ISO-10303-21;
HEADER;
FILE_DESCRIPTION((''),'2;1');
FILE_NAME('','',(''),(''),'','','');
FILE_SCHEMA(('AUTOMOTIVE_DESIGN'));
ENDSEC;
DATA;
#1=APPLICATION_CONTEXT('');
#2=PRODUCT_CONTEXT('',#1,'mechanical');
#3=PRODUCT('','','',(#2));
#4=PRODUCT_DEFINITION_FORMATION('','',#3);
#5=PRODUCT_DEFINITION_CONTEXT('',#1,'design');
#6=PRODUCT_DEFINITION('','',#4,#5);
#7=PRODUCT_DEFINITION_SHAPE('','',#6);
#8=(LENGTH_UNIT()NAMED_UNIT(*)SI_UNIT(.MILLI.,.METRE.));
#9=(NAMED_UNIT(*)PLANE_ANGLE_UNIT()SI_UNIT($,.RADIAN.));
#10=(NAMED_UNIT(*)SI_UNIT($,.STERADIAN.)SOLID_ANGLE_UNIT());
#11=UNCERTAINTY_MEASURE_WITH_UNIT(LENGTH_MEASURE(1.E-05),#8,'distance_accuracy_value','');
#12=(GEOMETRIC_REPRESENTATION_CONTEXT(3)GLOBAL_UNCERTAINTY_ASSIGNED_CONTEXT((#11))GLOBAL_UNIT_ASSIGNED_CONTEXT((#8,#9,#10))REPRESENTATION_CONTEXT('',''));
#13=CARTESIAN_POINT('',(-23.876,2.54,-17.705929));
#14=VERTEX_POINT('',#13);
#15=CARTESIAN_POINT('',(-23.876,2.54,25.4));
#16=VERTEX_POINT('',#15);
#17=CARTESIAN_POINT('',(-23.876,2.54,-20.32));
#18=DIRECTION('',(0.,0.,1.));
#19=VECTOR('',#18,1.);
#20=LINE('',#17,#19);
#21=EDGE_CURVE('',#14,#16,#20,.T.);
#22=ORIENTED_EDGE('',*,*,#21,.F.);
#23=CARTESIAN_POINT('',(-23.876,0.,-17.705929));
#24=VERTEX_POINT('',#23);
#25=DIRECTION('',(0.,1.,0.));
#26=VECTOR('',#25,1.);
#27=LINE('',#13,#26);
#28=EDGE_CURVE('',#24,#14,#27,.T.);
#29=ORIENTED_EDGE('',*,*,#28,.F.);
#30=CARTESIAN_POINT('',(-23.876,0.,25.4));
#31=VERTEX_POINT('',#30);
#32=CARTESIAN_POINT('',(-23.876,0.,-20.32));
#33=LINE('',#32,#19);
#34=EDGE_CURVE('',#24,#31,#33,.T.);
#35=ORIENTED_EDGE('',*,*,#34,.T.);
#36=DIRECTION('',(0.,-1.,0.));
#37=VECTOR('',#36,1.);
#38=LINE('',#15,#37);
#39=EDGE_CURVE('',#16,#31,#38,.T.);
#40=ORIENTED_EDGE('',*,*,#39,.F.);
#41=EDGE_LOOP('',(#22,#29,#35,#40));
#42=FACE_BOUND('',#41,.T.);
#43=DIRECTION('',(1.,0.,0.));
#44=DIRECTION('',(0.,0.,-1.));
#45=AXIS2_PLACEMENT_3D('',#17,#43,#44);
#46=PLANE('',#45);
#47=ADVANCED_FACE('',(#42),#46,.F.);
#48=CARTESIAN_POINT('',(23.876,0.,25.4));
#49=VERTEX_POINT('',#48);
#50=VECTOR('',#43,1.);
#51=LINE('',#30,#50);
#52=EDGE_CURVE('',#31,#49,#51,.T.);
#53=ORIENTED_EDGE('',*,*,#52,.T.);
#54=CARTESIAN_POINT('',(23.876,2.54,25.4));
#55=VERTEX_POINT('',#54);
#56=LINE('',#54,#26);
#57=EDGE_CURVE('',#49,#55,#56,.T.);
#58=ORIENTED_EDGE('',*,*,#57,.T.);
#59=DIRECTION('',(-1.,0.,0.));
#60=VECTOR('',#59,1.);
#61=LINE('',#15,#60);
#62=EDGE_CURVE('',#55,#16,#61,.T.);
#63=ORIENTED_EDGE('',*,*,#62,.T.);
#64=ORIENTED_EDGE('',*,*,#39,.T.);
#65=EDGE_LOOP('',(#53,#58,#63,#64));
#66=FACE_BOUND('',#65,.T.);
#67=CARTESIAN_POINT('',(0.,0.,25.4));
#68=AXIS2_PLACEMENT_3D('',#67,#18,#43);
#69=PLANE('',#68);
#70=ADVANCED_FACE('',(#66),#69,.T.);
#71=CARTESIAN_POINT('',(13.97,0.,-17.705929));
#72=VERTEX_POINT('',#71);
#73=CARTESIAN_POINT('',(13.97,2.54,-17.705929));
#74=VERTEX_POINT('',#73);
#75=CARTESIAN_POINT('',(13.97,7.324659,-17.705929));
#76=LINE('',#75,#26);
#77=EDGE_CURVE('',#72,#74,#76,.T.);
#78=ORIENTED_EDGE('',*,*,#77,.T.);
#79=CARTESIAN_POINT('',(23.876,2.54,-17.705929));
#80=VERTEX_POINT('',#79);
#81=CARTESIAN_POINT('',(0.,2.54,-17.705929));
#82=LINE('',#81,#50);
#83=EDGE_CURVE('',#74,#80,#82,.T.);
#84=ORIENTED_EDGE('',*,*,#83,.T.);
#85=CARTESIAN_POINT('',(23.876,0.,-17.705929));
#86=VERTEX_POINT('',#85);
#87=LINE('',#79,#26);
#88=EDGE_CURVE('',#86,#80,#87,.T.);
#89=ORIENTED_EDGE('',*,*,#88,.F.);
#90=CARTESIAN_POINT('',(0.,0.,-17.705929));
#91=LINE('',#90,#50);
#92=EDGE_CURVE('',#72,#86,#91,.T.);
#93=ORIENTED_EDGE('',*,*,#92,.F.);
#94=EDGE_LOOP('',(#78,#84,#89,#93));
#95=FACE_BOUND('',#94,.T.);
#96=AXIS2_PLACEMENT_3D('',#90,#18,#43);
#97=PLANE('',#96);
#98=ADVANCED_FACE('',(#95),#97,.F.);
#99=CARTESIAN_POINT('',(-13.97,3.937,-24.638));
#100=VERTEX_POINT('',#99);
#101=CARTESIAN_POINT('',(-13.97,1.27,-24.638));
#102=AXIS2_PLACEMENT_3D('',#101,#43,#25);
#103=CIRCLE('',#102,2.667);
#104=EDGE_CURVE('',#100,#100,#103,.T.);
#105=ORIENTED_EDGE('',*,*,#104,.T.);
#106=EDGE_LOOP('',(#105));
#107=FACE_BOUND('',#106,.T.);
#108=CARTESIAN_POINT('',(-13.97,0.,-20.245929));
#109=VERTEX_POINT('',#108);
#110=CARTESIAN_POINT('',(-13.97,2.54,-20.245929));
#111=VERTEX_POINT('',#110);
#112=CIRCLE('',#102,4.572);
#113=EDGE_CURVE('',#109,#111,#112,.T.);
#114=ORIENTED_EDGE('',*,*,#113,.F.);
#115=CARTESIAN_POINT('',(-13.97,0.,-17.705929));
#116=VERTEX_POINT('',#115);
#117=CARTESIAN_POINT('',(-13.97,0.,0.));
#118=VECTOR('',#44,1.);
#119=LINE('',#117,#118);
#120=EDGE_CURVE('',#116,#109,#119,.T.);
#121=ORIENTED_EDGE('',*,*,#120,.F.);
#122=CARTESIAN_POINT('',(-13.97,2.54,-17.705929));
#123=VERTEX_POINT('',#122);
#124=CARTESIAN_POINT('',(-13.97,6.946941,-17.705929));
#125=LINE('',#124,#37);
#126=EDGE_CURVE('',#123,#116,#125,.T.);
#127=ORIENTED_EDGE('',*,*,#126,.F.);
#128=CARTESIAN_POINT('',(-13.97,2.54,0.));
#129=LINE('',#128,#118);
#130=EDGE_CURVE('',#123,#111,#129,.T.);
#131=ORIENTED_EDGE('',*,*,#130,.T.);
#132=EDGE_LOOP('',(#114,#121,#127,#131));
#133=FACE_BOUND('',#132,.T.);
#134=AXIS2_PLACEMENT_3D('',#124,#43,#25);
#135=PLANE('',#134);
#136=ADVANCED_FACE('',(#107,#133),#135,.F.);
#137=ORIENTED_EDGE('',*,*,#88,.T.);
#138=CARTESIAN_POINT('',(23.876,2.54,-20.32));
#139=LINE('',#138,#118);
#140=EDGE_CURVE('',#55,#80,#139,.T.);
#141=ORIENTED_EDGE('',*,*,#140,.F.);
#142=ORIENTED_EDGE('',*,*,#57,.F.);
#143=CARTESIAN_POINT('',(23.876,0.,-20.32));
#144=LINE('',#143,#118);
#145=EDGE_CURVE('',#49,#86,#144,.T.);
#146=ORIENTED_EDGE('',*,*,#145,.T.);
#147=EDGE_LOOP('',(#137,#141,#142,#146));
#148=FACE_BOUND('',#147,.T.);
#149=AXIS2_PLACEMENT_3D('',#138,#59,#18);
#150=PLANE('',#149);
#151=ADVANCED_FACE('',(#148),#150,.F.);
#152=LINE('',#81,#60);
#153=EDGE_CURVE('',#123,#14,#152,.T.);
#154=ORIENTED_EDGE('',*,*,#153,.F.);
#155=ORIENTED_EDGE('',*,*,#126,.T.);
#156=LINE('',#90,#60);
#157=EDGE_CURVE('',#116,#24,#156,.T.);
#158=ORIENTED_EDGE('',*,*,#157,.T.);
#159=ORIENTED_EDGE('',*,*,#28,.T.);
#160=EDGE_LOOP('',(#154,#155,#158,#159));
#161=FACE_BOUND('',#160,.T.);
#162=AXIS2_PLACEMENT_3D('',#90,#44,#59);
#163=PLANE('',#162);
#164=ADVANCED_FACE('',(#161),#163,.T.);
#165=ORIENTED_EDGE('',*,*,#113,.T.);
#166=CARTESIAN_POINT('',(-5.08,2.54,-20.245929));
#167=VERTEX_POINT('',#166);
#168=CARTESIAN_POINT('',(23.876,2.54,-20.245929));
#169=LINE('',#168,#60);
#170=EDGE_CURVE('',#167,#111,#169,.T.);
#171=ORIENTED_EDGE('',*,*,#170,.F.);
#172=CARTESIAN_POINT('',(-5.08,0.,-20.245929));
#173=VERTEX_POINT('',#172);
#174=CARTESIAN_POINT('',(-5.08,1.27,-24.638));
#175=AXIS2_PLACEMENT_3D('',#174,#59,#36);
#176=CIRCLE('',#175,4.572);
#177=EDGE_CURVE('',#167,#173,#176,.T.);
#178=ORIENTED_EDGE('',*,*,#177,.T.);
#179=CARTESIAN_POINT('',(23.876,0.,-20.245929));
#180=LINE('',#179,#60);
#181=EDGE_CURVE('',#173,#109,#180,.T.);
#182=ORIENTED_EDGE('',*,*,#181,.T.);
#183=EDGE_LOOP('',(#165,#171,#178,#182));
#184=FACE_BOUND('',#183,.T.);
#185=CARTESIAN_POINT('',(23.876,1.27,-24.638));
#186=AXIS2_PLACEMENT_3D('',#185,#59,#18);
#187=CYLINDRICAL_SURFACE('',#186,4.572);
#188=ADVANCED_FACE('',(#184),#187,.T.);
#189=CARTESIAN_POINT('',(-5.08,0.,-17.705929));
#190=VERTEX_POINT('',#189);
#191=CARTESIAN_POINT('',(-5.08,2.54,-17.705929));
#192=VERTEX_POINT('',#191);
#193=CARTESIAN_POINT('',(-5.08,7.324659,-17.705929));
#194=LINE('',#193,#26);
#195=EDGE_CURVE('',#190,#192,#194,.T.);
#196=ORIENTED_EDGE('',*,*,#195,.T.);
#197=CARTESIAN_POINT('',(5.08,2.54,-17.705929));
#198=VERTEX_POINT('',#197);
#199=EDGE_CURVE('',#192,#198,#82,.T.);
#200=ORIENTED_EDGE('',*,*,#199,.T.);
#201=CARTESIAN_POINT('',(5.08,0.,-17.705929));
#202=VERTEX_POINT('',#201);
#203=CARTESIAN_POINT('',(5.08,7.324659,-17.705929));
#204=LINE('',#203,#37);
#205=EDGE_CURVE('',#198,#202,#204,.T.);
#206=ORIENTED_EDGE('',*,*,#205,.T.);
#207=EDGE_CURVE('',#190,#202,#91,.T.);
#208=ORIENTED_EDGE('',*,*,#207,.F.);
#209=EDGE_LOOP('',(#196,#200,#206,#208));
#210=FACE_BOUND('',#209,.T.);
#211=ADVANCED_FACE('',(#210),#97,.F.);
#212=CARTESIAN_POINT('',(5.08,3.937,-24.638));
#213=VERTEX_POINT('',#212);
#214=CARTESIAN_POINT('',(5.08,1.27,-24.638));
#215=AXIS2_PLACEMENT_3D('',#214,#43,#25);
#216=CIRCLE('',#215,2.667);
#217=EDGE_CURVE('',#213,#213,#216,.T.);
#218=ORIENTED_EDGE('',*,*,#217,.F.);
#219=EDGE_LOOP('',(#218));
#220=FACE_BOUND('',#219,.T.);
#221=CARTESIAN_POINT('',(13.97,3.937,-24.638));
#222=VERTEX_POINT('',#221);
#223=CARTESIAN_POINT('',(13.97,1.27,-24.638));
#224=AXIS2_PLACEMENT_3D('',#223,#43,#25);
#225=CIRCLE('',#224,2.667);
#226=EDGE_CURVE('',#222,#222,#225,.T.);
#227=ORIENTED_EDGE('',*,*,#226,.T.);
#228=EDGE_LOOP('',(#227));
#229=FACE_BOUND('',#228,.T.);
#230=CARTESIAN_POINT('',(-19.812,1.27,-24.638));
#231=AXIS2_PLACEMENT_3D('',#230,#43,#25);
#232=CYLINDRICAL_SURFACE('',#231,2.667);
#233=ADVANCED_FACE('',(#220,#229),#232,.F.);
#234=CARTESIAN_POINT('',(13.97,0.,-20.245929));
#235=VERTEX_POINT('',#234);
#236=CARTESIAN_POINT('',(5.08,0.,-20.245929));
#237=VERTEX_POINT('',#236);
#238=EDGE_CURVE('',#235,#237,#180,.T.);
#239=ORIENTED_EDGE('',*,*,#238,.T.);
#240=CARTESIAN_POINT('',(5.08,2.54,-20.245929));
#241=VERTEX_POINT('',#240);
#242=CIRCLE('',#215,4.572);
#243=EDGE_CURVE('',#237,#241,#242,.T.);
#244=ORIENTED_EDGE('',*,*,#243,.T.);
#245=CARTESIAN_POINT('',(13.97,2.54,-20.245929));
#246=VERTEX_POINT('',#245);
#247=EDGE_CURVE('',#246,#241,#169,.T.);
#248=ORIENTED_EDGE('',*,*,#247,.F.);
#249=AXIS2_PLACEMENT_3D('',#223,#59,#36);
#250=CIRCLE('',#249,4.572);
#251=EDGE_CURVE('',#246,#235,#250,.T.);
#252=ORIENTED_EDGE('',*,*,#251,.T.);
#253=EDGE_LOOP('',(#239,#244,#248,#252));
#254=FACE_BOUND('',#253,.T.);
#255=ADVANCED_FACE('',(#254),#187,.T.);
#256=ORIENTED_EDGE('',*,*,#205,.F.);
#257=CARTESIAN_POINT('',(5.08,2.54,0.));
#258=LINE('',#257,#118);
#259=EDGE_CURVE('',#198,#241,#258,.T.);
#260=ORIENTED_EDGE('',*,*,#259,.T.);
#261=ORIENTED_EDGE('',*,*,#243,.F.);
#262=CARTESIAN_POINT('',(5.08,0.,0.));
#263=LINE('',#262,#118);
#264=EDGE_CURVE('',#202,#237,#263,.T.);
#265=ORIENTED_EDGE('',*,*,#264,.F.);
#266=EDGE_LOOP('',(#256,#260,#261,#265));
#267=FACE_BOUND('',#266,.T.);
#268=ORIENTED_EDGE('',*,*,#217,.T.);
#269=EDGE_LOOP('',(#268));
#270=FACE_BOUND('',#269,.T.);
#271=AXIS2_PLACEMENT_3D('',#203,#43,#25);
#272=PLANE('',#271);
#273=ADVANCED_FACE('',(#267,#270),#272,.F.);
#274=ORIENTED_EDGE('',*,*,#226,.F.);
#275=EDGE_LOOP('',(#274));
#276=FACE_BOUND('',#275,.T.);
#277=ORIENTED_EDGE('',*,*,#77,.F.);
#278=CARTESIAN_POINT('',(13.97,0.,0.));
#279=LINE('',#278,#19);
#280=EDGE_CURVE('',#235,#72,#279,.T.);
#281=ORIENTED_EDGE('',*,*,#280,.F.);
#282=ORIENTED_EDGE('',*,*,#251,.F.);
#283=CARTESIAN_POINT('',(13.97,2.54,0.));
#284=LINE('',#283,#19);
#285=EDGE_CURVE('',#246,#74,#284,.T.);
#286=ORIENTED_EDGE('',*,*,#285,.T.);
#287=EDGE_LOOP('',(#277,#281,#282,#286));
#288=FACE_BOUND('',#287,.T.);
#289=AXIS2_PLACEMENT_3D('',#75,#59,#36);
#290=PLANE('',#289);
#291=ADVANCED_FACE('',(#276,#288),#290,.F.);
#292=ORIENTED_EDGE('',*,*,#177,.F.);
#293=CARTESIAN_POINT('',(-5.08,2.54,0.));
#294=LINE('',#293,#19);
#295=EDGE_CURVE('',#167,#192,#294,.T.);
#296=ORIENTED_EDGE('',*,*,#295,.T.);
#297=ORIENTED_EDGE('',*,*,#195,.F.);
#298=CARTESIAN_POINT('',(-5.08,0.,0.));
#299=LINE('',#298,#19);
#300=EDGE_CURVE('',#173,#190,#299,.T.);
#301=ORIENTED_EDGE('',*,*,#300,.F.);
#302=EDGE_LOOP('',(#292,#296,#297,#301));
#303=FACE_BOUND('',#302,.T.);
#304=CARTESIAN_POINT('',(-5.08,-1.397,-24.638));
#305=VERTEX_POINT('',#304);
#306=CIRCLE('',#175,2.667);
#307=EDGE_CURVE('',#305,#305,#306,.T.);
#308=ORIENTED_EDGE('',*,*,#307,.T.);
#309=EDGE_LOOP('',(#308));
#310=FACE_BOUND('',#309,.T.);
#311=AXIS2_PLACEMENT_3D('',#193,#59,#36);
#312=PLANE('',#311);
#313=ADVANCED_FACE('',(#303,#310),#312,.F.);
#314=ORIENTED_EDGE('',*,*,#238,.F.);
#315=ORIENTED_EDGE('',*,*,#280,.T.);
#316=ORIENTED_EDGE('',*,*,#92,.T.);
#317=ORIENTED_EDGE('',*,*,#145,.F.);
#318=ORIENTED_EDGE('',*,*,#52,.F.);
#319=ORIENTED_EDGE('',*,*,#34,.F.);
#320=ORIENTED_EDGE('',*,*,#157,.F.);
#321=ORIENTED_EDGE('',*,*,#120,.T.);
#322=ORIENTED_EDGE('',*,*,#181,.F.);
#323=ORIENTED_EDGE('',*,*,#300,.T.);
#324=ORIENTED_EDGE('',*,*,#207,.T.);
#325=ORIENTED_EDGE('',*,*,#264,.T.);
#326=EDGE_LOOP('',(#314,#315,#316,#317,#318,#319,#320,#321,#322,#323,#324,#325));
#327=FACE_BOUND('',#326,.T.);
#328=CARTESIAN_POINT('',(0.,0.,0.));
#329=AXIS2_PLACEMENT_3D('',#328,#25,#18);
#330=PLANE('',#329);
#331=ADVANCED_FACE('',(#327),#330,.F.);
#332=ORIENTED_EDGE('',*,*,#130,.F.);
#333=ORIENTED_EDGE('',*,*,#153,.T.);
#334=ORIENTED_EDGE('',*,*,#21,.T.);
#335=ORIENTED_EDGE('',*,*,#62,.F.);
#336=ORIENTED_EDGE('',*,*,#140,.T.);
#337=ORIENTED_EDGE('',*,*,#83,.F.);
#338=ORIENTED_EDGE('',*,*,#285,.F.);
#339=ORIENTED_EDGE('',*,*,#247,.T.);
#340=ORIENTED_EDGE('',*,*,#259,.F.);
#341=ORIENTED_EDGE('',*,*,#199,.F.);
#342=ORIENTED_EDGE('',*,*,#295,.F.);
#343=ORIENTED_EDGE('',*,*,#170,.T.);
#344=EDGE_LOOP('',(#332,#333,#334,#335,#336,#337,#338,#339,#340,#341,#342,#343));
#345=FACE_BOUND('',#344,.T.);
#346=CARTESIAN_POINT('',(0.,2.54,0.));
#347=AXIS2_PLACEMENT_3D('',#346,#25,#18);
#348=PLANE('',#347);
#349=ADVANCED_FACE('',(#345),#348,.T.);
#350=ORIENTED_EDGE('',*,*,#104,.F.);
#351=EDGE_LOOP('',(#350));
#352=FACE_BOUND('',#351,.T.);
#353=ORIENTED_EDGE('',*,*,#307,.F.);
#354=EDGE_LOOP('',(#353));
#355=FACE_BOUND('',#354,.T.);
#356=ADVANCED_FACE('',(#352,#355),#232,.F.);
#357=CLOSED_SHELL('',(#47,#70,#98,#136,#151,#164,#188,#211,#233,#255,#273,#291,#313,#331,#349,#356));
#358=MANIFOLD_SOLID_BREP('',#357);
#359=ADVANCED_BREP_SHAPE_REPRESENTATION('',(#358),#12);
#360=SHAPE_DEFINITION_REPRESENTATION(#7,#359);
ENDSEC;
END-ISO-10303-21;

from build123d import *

# Parameters (mm, degrees)
SKETCH1_W               = 47.752
SKETCH1_H               = 40.64
BOSS_EXTRUDE1_DEPTH     = 2.54
SKETCH3_R               = 4.572
BOSS_EXTRUDE3_DEPTH     = 23.876
SKETCH7_W               = 10.16
SKETCH7_H               = 13.274102891
SKETCH7_W_2             = 10.953832873
SKETCH7_H_2             = 12.896384516
SKETCH7_W_3             = 11.331551248
CUT_EXTRUDE4_DEPTH      = 47.752
CUT_EXTRUDE4_DEPTH_BACK = 2.54
SKETCH8_W               = 47.752
SKETCH8_H               = 2.54
BOSS_EXTRUDE4_DEPTH     = 5.08
SKETCH9_R               = 2.667
CUT_EXTRUDE5_DEPTH      = 33.782


with BuildPart() as part:
    # Sketch1 → Boss-Extrude1 (new body)
    with BuildSketch(Plane(origin=(0, 0, 0), x_dir=(1, 0, 0), z_dir=(0, 1, 0))):
        Rectangle(SKETCH1_W, SKETCH1_H)
    extrude(amount=BOSS_EXTRUDE1_DEPTH)

    # Sketch3 → Boss-Extrude3 (add, symmetric)
    with BuildSketch(Plane(origin=(0, 0, 0), x_dir=(0, 0, -1), z_dir=(1, 0, 0))):
        with Locations((24.638, 1.27)):
            Circle(SKETCH3_R)
    extrude(amount=BOSS_EXTRUDE3_DEPTH, both=True)

    # Sketch7 → Cut-Extrude4 (cut, two sides)
    with BuildSketch(Plane(origin=(0, 0, -20.245929418), x_dir=(-1, 0, 0), z_dir=(0, 0, -1))) as cut_extrude4_sk:
        with Locations((0, 0.687607575)):
            Rectangle(SKETCH7_W, SKETCH7_H)
        with Locations((19.446916437, 0.498748388)):
            Rectangle(SKETCH7_W_2, SKETCH7_H_2)
        with Locations((-19.635775624, 0.687607575)):
            Rectangle(SKETCH7_W_3, SKETCH7_H)
    extrude(amount=CUT_EXTRUDE4_DEPTH, mode=Mode.SUBTRACT)
    extrude(cut_extrude4_sk.sketch, amount=-CUT_EXTRUDE4_DEPTH_BACK, mode=Mode.SUBTRACT)

    # Sketch8 → Boss-Extrude4 (add)
    with BuildSketch(Plane.XY.offset(20.32)):
        with Locations((0, 1.27)):
            Rectangle(SKETCH8_W, SKETCH8_H)
    extrude(amount=BOSS_EXTRUDE4_DEPTH)

    # Sketch9 → Cut-Extrude5 (cut)
    with BuildSketch(Plane(origin=(13.97, 0, 0), x_dir=(0, 0, -1), z_dir=(1, 0, 0))):
        with Locations(Location((24.638, 1.27, 0), (0, 0, 90))):  # turned: the seam where the file's is
            Circle(SKETCH9_R)
    extrude(amount=-CUT_EXTRUDE5_DEPTH, mode=Mode.SUBTRACT)


solid = part.part
